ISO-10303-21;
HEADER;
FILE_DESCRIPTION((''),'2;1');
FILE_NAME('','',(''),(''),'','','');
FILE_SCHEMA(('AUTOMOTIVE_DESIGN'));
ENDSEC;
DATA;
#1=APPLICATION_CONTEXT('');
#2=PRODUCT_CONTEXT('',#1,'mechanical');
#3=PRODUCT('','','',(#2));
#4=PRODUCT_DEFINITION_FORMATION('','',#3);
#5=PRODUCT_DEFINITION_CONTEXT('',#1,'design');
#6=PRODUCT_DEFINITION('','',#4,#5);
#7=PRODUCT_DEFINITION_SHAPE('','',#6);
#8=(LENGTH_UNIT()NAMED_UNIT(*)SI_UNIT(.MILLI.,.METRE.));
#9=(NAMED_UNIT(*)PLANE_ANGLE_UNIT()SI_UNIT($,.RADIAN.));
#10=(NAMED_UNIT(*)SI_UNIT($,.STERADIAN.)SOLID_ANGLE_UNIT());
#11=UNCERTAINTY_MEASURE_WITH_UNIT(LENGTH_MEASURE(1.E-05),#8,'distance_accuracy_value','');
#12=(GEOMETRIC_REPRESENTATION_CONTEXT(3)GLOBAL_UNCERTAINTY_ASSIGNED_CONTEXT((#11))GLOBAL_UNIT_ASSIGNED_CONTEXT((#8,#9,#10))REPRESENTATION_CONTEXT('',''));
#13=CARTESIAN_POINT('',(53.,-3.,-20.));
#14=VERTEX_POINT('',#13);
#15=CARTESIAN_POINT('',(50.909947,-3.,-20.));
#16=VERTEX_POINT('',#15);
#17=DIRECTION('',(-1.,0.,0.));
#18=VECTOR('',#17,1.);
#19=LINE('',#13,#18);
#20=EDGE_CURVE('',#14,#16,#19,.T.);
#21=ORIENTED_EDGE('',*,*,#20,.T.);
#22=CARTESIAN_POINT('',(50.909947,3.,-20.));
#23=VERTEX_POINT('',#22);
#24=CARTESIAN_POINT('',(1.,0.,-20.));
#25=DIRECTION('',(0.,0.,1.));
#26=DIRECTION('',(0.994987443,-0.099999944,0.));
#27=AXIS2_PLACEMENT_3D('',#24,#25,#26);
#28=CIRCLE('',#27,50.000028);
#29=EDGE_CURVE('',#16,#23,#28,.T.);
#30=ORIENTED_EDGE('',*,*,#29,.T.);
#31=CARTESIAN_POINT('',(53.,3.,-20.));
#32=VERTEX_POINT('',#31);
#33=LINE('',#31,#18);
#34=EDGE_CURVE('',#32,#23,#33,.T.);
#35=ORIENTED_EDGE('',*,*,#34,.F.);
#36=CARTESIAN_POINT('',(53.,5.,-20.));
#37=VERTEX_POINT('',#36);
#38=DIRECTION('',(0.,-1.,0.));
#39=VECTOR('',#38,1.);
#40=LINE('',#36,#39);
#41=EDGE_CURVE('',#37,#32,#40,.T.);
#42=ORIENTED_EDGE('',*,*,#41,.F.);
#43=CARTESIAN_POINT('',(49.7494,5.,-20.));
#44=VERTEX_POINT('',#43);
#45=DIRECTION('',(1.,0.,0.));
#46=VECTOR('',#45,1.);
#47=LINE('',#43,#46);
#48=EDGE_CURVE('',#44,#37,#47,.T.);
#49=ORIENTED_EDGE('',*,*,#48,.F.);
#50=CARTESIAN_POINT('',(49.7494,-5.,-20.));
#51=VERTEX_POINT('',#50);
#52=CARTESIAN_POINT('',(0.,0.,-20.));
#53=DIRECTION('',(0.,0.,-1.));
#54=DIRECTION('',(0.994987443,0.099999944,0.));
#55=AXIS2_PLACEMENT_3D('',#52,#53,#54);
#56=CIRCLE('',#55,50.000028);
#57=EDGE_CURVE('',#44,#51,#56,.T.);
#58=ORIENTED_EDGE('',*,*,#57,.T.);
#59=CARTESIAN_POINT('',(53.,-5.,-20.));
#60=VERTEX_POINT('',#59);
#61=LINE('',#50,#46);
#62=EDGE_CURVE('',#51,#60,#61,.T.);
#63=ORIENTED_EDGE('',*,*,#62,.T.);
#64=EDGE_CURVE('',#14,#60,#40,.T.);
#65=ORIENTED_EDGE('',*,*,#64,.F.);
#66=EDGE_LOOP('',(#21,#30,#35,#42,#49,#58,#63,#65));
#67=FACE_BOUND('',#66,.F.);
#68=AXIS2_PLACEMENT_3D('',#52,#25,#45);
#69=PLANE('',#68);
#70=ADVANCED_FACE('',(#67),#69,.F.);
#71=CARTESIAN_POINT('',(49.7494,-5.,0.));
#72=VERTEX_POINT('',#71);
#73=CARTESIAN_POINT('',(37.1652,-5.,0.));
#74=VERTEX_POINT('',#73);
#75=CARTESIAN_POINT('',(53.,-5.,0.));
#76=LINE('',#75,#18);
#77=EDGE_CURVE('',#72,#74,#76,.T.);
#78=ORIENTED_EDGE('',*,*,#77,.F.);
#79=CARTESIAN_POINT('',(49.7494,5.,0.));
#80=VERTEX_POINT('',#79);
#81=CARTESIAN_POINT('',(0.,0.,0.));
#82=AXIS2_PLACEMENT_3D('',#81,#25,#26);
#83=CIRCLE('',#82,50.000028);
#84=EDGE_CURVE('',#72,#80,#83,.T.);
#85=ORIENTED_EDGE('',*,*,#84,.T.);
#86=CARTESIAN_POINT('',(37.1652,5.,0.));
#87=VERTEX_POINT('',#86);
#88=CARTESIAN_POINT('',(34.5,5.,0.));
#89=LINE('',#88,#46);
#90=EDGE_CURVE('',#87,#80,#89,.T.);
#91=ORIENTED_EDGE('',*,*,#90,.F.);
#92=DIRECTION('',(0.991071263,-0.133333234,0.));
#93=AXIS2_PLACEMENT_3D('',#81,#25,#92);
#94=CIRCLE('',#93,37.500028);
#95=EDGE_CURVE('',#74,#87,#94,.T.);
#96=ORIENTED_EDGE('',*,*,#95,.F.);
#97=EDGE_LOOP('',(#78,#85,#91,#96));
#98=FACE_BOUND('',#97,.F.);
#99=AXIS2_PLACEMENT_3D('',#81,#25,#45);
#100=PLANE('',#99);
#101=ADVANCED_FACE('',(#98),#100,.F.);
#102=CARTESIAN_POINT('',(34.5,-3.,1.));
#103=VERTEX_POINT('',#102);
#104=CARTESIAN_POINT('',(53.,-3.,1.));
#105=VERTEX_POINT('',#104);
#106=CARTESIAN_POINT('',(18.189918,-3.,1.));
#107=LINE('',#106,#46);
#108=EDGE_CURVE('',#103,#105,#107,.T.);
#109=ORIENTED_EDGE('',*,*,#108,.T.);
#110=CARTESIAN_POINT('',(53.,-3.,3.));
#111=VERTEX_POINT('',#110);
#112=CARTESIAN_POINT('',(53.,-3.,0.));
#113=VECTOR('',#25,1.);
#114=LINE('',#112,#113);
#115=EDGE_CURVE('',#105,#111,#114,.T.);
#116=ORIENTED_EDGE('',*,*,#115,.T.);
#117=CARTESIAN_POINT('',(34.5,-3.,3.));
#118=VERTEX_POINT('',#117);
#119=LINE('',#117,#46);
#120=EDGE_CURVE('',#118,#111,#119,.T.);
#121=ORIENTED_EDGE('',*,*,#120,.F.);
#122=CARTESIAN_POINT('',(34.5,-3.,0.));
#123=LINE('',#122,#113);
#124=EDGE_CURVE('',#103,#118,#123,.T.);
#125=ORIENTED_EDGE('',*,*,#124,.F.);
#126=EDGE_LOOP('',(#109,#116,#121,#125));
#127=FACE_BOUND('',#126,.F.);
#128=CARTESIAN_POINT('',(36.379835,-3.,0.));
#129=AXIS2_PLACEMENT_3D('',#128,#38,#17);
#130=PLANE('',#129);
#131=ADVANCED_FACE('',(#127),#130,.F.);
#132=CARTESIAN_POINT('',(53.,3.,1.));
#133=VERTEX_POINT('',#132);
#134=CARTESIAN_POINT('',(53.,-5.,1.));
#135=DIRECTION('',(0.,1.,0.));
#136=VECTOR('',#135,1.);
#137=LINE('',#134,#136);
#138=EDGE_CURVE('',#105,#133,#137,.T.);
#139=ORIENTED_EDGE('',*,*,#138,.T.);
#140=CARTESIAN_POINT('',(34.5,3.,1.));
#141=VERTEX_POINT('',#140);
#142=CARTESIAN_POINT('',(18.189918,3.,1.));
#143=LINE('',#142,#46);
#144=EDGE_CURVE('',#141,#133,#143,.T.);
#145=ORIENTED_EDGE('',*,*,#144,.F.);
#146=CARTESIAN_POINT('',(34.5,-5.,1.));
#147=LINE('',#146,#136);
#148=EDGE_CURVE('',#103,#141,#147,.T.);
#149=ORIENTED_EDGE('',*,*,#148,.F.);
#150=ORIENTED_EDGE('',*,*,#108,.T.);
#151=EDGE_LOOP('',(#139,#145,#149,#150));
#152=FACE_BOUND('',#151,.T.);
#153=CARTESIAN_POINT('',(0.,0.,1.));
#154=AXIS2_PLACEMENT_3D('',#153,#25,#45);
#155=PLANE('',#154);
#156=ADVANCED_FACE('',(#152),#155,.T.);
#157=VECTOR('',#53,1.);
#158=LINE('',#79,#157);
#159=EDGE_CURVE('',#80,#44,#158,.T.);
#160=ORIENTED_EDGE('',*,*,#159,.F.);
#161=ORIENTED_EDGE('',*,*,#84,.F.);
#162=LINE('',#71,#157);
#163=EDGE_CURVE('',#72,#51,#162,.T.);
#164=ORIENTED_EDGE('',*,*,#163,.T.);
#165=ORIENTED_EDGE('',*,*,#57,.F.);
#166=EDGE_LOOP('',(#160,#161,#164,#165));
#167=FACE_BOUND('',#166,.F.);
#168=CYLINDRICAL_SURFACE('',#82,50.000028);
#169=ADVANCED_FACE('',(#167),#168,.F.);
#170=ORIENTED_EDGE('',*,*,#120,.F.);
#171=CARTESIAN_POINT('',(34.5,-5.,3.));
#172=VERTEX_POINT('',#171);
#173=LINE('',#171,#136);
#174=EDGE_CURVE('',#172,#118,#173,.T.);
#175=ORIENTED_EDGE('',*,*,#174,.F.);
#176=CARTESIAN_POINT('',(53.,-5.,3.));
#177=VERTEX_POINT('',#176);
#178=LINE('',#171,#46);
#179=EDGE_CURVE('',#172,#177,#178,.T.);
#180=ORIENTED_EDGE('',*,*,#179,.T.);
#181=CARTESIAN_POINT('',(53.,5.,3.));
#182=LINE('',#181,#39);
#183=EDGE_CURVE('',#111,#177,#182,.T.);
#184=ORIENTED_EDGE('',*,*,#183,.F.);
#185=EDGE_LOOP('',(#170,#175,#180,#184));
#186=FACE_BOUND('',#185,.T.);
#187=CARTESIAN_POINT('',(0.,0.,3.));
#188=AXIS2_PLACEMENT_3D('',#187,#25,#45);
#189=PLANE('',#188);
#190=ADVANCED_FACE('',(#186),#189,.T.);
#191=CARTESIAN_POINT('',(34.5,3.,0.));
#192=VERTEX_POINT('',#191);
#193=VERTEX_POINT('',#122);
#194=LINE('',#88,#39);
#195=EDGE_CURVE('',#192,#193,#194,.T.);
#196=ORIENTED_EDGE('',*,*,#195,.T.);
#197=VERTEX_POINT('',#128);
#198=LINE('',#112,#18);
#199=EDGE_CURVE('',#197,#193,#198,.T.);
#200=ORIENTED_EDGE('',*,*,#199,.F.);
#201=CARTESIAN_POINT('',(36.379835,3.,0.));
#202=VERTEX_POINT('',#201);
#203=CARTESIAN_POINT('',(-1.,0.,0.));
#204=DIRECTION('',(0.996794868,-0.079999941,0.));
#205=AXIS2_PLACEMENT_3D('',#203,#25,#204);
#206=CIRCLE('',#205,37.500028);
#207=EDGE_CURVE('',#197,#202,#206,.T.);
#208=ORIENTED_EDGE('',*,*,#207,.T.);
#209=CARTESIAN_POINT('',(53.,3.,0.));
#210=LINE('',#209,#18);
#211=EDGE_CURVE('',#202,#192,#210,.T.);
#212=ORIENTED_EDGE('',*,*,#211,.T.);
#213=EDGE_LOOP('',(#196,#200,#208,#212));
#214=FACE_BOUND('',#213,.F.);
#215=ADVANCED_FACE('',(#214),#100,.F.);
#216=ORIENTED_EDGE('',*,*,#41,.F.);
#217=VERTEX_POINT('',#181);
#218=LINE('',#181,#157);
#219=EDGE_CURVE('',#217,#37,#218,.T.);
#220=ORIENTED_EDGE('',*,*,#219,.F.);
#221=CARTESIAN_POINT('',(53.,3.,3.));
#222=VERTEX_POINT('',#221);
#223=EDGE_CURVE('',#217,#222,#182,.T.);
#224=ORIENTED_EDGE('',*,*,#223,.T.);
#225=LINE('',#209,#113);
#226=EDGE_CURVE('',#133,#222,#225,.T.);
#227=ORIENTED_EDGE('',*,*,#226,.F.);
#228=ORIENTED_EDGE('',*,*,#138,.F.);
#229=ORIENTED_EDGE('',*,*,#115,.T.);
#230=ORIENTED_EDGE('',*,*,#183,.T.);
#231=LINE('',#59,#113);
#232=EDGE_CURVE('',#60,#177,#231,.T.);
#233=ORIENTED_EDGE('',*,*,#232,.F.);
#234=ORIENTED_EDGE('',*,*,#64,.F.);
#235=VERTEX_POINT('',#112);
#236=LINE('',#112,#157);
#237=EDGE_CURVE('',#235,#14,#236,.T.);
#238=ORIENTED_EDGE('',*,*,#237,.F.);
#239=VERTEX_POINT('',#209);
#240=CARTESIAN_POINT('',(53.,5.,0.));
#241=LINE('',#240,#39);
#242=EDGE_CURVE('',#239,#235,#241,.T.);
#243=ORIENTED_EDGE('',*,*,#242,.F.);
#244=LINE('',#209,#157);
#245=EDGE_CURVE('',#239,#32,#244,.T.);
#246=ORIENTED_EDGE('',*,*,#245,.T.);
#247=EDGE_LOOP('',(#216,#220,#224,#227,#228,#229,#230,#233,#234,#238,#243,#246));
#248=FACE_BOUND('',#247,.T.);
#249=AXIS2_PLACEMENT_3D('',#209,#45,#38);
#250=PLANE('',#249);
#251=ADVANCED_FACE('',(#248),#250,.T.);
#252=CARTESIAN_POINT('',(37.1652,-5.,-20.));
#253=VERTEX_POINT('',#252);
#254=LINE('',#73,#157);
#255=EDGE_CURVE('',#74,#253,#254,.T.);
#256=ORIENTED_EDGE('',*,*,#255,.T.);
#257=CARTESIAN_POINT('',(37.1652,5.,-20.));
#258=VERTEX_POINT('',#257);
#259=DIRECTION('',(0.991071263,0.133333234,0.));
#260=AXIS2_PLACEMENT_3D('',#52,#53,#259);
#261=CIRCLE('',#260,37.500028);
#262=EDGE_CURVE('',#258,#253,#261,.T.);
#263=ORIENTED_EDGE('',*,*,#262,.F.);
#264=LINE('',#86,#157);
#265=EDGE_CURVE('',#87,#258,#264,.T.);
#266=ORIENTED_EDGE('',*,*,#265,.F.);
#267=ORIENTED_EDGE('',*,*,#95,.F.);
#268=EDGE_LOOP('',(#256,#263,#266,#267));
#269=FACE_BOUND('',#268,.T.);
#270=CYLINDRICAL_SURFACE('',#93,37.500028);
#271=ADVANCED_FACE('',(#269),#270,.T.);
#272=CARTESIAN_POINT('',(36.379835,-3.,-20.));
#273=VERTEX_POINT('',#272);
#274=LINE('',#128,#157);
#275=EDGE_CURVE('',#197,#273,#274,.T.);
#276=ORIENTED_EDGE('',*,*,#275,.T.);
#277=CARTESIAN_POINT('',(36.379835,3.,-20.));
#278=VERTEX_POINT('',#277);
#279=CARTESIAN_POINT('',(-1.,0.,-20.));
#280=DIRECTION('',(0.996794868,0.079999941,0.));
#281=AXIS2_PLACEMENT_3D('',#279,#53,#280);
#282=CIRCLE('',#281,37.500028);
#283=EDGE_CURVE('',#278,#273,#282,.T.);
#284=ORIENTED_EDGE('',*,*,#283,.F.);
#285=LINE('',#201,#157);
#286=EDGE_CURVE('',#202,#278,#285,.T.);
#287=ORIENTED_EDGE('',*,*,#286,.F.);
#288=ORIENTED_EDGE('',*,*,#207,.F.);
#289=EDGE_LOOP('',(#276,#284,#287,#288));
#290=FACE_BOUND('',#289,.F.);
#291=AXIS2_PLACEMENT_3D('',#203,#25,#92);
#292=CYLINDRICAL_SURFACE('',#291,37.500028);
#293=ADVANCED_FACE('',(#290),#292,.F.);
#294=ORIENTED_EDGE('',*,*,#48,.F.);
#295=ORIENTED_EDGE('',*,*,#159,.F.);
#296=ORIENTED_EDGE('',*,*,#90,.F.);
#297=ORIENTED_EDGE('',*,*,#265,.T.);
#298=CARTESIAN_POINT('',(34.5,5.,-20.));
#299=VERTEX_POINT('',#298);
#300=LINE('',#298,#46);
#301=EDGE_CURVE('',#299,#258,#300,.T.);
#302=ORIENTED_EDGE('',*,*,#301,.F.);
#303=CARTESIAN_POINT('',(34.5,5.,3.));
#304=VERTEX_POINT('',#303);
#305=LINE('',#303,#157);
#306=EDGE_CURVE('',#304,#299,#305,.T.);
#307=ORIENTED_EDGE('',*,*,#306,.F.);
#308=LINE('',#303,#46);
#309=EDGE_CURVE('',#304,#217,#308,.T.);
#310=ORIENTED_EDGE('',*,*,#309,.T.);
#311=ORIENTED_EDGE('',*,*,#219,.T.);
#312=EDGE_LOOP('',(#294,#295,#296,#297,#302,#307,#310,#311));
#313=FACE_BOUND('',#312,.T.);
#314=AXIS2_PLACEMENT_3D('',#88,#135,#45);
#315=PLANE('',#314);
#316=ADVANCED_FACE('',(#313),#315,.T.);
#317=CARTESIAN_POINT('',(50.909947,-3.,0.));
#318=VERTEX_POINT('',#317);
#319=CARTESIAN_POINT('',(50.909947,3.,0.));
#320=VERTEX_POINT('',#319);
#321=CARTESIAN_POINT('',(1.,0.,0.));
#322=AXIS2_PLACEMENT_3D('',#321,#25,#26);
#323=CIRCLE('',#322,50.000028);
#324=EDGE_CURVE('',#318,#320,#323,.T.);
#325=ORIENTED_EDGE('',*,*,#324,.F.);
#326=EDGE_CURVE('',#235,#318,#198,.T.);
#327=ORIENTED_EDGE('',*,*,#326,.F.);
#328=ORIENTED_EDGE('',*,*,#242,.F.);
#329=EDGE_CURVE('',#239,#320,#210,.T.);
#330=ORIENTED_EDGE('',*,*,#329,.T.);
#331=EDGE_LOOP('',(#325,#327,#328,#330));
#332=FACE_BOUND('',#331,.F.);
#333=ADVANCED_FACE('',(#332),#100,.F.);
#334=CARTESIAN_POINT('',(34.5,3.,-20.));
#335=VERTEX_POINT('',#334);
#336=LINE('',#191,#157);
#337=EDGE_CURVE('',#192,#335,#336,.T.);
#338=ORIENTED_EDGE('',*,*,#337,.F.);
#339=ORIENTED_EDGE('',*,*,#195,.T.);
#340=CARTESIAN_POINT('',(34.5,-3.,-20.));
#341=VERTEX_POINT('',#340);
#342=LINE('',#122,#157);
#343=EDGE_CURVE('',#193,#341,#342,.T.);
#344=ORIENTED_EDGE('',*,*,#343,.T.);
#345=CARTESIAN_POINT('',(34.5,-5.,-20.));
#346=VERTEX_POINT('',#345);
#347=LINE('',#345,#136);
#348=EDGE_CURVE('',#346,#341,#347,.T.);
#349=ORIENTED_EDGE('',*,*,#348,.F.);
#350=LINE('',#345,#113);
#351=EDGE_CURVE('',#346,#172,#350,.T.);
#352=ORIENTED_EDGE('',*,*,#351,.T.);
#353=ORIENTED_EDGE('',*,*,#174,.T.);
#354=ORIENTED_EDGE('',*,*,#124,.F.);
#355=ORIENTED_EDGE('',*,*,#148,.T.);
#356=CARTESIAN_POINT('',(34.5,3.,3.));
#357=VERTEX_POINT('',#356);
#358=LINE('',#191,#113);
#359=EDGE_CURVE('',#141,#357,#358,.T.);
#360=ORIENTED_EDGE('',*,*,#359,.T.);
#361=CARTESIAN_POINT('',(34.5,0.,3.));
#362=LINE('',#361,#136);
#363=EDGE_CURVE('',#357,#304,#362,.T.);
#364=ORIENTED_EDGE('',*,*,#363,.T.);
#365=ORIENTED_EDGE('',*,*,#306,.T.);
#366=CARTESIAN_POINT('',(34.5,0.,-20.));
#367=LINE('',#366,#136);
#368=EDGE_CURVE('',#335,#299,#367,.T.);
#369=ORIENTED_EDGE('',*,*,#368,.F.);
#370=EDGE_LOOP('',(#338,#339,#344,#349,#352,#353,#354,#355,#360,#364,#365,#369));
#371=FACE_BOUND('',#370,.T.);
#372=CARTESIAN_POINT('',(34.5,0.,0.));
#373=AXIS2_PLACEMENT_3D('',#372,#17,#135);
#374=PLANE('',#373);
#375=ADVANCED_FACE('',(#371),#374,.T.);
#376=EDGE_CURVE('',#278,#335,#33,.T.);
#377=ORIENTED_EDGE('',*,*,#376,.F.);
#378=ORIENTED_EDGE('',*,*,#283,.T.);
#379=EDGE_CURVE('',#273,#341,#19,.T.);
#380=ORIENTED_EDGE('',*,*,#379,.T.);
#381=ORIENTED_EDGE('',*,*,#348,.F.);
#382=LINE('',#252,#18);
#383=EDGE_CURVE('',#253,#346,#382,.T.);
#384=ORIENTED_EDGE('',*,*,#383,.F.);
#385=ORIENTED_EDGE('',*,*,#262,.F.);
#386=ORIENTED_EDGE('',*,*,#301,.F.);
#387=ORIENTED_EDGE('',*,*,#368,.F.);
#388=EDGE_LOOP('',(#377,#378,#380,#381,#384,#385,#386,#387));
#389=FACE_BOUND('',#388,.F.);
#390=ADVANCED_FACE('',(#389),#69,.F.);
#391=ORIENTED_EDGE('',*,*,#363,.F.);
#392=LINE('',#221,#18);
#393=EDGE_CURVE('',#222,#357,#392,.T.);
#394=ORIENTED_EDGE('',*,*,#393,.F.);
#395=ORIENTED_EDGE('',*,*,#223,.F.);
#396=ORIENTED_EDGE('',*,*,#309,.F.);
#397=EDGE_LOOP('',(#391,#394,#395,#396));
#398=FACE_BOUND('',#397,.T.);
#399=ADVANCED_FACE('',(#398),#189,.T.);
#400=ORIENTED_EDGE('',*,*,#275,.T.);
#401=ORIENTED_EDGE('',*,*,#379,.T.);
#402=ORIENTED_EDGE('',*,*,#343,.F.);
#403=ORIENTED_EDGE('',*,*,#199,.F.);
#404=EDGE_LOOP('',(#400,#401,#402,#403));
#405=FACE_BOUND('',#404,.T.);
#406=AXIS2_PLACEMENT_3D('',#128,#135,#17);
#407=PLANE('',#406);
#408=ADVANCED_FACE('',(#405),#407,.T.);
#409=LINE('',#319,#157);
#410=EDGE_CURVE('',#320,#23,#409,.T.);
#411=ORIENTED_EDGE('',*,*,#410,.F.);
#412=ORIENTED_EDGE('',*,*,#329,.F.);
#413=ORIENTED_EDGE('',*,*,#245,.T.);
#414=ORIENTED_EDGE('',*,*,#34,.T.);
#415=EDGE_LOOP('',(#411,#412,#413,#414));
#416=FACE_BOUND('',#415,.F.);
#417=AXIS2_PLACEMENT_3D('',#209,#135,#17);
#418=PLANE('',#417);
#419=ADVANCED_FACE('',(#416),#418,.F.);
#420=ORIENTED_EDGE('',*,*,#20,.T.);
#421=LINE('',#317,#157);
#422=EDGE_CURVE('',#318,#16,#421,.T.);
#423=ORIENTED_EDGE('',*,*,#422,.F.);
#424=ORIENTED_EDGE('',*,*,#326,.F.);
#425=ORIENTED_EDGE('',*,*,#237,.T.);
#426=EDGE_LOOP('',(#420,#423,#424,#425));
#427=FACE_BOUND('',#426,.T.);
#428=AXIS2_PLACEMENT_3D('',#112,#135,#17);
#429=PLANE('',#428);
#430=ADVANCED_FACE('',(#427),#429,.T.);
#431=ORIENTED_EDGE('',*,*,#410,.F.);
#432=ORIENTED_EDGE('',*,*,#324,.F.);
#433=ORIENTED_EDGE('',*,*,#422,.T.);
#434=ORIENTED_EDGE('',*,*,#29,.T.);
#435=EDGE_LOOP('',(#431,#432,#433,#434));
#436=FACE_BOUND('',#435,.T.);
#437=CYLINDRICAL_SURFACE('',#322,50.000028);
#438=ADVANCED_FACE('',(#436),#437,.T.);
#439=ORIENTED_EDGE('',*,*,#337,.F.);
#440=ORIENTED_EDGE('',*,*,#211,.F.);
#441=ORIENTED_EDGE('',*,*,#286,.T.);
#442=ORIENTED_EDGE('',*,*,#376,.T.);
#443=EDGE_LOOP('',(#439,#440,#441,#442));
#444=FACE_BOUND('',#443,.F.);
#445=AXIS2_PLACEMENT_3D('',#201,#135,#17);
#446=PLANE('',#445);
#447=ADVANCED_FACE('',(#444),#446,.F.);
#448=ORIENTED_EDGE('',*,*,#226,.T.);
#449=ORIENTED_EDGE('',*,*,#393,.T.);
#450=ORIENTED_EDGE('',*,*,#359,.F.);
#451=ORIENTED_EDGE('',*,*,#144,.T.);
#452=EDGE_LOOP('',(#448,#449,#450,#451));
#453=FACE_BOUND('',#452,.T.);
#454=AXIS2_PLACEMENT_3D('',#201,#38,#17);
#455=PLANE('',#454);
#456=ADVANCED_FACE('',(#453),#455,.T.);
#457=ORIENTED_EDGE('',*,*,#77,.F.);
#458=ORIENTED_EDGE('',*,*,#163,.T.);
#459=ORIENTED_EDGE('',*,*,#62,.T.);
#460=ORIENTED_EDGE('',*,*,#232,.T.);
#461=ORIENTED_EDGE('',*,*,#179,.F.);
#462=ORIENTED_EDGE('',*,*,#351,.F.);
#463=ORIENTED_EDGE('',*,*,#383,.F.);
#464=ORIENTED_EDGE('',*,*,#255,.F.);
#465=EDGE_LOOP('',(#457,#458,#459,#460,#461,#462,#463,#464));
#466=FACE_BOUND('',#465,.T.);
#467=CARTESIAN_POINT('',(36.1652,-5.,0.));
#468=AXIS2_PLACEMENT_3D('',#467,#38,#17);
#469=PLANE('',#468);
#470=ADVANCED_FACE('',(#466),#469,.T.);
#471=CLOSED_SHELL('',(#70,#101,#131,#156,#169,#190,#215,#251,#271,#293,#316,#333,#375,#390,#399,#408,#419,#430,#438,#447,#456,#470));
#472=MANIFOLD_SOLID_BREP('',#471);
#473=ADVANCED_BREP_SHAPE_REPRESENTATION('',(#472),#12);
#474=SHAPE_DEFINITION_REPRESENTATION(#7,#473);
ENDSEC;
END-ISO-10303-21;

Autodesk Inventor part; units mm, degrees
ref_plane "YZ Plane" through (0, 0, 0) normal (1, 0, 0) x (0, 1, 0)
ref_plane "XZ Plane" through (0, 0, 0) normal (0, 1, 0) x (-1, 0, 0)
ref_plane "XY Plane" through (0, 0, 0) normal (0, 0, 1) x (1, 0, 0)
sketch "Sketch1" plane through (0, 0, 0) normal (0, 0, 1) x (1, 0, 0)
  line L0 (0, 0) -> (50, 0) construction
  line L1 (0, 0) -> (37.5, 0)
  line L2 (37.5, 0) -> (34.5, 0)
  line L3 (34.5, 0) -> (34.5, 5)
  line L4 (34.5, 5) -> (53, 5)
  line L5 (53, 5) -> (53, -5)
  line L6 (53, -5) -> (34.5, -5)
  line L7 (34.5, -5) -> (34.5, 5)
  line L8 (0, 0) -> (37.1652, 5) construction
  line L9 (0, 0) -> (37.1652, -5) construction
  arc A0 (37.1652, -5) -> (37.1652, 5) centre (0, 0) ccw
  line L10 (0, 0) -> (49.7494, 5) construction
  arc A1 (49.7494, -5) -> (49.7494, 5) centre (0, 0) ccw
  line L11 (34.5, -5) -> (53, -5)
  line L12 (53, -5) -> (53, -3)
  line L13 (53, -3) -> (34.5, -3)
  line L14 (34.5, -3) -> (34.5, -5)
  line L15 (34.5, 5) -> (53, 5)
  line L16 (53, 5) -> (53, 3)
  line L17 (53, 3) -> (34.5, 3)
  line L18 (34.5, 3) -> (34.5, 5)
  line L19 (37.1652, -5) -> (36.1652, -5)
  arc A2 (36.1652, -5) -> (36.1652, 5) centre (-1, 0) ccw
  line L20 (49.7494, -5) -> (50.7494, -5)
  arc A3 (50.7494, -5) -> (50.7494, 5) centre (1, 0) ccw
  point P0 (36.3798, 3)
  point P1 (36.3798, -3)
  point P2 (50.9099, -3)
  point P3 (50.9099, 3)
  dimension "d7" = 50
  dimension "d8" = 37.5
  dimension "d9" = 3
  dimension "d10" = 5
  dimension "d11" = 18.5
  dimension "d12" = 10
  dimension "d13" = 37.5
  dimension "d14" = 50
  dimension "d15" = 2
  dimension "d16" = 2
  dimension "d17" = 1
  dimension "d18" = 1
extrude "Extrusion1" add sketch "Sketch1" along normal blind 1
extrude "Extrusion2" add sketch "Sketch1" along normal blind 3 contours L3 L4 A2 L17 | L13 A2 L6 L7 | L13 A0 L6 A2 | A2 L4 A0 L17 | L13 A1 L6 A0 | A0 L4 A1 L17 | L13 A3 L6 A1 | A1 L4 A3 L17 | L13 L5 L6 A3 | A3 L4 L5 L17
extrude "Extrusion3" add sketch "Sketch1" against normal blind 20 contours A2 L17 A0 L1 | L1 A0 L13 A2 | L3 L4 A2 L17 | L13 A2 L6 L7 | L13 A0 L6 A2 | A2 L4 A0 L17 | L13 A3 L6 A1 | A1 L17 A3 L13 | A1 L4 A3 L17 | L13 L5 L6 A3 | A3 L4 L5 L17
properties part number "Coils" material "Stainless Steel"
